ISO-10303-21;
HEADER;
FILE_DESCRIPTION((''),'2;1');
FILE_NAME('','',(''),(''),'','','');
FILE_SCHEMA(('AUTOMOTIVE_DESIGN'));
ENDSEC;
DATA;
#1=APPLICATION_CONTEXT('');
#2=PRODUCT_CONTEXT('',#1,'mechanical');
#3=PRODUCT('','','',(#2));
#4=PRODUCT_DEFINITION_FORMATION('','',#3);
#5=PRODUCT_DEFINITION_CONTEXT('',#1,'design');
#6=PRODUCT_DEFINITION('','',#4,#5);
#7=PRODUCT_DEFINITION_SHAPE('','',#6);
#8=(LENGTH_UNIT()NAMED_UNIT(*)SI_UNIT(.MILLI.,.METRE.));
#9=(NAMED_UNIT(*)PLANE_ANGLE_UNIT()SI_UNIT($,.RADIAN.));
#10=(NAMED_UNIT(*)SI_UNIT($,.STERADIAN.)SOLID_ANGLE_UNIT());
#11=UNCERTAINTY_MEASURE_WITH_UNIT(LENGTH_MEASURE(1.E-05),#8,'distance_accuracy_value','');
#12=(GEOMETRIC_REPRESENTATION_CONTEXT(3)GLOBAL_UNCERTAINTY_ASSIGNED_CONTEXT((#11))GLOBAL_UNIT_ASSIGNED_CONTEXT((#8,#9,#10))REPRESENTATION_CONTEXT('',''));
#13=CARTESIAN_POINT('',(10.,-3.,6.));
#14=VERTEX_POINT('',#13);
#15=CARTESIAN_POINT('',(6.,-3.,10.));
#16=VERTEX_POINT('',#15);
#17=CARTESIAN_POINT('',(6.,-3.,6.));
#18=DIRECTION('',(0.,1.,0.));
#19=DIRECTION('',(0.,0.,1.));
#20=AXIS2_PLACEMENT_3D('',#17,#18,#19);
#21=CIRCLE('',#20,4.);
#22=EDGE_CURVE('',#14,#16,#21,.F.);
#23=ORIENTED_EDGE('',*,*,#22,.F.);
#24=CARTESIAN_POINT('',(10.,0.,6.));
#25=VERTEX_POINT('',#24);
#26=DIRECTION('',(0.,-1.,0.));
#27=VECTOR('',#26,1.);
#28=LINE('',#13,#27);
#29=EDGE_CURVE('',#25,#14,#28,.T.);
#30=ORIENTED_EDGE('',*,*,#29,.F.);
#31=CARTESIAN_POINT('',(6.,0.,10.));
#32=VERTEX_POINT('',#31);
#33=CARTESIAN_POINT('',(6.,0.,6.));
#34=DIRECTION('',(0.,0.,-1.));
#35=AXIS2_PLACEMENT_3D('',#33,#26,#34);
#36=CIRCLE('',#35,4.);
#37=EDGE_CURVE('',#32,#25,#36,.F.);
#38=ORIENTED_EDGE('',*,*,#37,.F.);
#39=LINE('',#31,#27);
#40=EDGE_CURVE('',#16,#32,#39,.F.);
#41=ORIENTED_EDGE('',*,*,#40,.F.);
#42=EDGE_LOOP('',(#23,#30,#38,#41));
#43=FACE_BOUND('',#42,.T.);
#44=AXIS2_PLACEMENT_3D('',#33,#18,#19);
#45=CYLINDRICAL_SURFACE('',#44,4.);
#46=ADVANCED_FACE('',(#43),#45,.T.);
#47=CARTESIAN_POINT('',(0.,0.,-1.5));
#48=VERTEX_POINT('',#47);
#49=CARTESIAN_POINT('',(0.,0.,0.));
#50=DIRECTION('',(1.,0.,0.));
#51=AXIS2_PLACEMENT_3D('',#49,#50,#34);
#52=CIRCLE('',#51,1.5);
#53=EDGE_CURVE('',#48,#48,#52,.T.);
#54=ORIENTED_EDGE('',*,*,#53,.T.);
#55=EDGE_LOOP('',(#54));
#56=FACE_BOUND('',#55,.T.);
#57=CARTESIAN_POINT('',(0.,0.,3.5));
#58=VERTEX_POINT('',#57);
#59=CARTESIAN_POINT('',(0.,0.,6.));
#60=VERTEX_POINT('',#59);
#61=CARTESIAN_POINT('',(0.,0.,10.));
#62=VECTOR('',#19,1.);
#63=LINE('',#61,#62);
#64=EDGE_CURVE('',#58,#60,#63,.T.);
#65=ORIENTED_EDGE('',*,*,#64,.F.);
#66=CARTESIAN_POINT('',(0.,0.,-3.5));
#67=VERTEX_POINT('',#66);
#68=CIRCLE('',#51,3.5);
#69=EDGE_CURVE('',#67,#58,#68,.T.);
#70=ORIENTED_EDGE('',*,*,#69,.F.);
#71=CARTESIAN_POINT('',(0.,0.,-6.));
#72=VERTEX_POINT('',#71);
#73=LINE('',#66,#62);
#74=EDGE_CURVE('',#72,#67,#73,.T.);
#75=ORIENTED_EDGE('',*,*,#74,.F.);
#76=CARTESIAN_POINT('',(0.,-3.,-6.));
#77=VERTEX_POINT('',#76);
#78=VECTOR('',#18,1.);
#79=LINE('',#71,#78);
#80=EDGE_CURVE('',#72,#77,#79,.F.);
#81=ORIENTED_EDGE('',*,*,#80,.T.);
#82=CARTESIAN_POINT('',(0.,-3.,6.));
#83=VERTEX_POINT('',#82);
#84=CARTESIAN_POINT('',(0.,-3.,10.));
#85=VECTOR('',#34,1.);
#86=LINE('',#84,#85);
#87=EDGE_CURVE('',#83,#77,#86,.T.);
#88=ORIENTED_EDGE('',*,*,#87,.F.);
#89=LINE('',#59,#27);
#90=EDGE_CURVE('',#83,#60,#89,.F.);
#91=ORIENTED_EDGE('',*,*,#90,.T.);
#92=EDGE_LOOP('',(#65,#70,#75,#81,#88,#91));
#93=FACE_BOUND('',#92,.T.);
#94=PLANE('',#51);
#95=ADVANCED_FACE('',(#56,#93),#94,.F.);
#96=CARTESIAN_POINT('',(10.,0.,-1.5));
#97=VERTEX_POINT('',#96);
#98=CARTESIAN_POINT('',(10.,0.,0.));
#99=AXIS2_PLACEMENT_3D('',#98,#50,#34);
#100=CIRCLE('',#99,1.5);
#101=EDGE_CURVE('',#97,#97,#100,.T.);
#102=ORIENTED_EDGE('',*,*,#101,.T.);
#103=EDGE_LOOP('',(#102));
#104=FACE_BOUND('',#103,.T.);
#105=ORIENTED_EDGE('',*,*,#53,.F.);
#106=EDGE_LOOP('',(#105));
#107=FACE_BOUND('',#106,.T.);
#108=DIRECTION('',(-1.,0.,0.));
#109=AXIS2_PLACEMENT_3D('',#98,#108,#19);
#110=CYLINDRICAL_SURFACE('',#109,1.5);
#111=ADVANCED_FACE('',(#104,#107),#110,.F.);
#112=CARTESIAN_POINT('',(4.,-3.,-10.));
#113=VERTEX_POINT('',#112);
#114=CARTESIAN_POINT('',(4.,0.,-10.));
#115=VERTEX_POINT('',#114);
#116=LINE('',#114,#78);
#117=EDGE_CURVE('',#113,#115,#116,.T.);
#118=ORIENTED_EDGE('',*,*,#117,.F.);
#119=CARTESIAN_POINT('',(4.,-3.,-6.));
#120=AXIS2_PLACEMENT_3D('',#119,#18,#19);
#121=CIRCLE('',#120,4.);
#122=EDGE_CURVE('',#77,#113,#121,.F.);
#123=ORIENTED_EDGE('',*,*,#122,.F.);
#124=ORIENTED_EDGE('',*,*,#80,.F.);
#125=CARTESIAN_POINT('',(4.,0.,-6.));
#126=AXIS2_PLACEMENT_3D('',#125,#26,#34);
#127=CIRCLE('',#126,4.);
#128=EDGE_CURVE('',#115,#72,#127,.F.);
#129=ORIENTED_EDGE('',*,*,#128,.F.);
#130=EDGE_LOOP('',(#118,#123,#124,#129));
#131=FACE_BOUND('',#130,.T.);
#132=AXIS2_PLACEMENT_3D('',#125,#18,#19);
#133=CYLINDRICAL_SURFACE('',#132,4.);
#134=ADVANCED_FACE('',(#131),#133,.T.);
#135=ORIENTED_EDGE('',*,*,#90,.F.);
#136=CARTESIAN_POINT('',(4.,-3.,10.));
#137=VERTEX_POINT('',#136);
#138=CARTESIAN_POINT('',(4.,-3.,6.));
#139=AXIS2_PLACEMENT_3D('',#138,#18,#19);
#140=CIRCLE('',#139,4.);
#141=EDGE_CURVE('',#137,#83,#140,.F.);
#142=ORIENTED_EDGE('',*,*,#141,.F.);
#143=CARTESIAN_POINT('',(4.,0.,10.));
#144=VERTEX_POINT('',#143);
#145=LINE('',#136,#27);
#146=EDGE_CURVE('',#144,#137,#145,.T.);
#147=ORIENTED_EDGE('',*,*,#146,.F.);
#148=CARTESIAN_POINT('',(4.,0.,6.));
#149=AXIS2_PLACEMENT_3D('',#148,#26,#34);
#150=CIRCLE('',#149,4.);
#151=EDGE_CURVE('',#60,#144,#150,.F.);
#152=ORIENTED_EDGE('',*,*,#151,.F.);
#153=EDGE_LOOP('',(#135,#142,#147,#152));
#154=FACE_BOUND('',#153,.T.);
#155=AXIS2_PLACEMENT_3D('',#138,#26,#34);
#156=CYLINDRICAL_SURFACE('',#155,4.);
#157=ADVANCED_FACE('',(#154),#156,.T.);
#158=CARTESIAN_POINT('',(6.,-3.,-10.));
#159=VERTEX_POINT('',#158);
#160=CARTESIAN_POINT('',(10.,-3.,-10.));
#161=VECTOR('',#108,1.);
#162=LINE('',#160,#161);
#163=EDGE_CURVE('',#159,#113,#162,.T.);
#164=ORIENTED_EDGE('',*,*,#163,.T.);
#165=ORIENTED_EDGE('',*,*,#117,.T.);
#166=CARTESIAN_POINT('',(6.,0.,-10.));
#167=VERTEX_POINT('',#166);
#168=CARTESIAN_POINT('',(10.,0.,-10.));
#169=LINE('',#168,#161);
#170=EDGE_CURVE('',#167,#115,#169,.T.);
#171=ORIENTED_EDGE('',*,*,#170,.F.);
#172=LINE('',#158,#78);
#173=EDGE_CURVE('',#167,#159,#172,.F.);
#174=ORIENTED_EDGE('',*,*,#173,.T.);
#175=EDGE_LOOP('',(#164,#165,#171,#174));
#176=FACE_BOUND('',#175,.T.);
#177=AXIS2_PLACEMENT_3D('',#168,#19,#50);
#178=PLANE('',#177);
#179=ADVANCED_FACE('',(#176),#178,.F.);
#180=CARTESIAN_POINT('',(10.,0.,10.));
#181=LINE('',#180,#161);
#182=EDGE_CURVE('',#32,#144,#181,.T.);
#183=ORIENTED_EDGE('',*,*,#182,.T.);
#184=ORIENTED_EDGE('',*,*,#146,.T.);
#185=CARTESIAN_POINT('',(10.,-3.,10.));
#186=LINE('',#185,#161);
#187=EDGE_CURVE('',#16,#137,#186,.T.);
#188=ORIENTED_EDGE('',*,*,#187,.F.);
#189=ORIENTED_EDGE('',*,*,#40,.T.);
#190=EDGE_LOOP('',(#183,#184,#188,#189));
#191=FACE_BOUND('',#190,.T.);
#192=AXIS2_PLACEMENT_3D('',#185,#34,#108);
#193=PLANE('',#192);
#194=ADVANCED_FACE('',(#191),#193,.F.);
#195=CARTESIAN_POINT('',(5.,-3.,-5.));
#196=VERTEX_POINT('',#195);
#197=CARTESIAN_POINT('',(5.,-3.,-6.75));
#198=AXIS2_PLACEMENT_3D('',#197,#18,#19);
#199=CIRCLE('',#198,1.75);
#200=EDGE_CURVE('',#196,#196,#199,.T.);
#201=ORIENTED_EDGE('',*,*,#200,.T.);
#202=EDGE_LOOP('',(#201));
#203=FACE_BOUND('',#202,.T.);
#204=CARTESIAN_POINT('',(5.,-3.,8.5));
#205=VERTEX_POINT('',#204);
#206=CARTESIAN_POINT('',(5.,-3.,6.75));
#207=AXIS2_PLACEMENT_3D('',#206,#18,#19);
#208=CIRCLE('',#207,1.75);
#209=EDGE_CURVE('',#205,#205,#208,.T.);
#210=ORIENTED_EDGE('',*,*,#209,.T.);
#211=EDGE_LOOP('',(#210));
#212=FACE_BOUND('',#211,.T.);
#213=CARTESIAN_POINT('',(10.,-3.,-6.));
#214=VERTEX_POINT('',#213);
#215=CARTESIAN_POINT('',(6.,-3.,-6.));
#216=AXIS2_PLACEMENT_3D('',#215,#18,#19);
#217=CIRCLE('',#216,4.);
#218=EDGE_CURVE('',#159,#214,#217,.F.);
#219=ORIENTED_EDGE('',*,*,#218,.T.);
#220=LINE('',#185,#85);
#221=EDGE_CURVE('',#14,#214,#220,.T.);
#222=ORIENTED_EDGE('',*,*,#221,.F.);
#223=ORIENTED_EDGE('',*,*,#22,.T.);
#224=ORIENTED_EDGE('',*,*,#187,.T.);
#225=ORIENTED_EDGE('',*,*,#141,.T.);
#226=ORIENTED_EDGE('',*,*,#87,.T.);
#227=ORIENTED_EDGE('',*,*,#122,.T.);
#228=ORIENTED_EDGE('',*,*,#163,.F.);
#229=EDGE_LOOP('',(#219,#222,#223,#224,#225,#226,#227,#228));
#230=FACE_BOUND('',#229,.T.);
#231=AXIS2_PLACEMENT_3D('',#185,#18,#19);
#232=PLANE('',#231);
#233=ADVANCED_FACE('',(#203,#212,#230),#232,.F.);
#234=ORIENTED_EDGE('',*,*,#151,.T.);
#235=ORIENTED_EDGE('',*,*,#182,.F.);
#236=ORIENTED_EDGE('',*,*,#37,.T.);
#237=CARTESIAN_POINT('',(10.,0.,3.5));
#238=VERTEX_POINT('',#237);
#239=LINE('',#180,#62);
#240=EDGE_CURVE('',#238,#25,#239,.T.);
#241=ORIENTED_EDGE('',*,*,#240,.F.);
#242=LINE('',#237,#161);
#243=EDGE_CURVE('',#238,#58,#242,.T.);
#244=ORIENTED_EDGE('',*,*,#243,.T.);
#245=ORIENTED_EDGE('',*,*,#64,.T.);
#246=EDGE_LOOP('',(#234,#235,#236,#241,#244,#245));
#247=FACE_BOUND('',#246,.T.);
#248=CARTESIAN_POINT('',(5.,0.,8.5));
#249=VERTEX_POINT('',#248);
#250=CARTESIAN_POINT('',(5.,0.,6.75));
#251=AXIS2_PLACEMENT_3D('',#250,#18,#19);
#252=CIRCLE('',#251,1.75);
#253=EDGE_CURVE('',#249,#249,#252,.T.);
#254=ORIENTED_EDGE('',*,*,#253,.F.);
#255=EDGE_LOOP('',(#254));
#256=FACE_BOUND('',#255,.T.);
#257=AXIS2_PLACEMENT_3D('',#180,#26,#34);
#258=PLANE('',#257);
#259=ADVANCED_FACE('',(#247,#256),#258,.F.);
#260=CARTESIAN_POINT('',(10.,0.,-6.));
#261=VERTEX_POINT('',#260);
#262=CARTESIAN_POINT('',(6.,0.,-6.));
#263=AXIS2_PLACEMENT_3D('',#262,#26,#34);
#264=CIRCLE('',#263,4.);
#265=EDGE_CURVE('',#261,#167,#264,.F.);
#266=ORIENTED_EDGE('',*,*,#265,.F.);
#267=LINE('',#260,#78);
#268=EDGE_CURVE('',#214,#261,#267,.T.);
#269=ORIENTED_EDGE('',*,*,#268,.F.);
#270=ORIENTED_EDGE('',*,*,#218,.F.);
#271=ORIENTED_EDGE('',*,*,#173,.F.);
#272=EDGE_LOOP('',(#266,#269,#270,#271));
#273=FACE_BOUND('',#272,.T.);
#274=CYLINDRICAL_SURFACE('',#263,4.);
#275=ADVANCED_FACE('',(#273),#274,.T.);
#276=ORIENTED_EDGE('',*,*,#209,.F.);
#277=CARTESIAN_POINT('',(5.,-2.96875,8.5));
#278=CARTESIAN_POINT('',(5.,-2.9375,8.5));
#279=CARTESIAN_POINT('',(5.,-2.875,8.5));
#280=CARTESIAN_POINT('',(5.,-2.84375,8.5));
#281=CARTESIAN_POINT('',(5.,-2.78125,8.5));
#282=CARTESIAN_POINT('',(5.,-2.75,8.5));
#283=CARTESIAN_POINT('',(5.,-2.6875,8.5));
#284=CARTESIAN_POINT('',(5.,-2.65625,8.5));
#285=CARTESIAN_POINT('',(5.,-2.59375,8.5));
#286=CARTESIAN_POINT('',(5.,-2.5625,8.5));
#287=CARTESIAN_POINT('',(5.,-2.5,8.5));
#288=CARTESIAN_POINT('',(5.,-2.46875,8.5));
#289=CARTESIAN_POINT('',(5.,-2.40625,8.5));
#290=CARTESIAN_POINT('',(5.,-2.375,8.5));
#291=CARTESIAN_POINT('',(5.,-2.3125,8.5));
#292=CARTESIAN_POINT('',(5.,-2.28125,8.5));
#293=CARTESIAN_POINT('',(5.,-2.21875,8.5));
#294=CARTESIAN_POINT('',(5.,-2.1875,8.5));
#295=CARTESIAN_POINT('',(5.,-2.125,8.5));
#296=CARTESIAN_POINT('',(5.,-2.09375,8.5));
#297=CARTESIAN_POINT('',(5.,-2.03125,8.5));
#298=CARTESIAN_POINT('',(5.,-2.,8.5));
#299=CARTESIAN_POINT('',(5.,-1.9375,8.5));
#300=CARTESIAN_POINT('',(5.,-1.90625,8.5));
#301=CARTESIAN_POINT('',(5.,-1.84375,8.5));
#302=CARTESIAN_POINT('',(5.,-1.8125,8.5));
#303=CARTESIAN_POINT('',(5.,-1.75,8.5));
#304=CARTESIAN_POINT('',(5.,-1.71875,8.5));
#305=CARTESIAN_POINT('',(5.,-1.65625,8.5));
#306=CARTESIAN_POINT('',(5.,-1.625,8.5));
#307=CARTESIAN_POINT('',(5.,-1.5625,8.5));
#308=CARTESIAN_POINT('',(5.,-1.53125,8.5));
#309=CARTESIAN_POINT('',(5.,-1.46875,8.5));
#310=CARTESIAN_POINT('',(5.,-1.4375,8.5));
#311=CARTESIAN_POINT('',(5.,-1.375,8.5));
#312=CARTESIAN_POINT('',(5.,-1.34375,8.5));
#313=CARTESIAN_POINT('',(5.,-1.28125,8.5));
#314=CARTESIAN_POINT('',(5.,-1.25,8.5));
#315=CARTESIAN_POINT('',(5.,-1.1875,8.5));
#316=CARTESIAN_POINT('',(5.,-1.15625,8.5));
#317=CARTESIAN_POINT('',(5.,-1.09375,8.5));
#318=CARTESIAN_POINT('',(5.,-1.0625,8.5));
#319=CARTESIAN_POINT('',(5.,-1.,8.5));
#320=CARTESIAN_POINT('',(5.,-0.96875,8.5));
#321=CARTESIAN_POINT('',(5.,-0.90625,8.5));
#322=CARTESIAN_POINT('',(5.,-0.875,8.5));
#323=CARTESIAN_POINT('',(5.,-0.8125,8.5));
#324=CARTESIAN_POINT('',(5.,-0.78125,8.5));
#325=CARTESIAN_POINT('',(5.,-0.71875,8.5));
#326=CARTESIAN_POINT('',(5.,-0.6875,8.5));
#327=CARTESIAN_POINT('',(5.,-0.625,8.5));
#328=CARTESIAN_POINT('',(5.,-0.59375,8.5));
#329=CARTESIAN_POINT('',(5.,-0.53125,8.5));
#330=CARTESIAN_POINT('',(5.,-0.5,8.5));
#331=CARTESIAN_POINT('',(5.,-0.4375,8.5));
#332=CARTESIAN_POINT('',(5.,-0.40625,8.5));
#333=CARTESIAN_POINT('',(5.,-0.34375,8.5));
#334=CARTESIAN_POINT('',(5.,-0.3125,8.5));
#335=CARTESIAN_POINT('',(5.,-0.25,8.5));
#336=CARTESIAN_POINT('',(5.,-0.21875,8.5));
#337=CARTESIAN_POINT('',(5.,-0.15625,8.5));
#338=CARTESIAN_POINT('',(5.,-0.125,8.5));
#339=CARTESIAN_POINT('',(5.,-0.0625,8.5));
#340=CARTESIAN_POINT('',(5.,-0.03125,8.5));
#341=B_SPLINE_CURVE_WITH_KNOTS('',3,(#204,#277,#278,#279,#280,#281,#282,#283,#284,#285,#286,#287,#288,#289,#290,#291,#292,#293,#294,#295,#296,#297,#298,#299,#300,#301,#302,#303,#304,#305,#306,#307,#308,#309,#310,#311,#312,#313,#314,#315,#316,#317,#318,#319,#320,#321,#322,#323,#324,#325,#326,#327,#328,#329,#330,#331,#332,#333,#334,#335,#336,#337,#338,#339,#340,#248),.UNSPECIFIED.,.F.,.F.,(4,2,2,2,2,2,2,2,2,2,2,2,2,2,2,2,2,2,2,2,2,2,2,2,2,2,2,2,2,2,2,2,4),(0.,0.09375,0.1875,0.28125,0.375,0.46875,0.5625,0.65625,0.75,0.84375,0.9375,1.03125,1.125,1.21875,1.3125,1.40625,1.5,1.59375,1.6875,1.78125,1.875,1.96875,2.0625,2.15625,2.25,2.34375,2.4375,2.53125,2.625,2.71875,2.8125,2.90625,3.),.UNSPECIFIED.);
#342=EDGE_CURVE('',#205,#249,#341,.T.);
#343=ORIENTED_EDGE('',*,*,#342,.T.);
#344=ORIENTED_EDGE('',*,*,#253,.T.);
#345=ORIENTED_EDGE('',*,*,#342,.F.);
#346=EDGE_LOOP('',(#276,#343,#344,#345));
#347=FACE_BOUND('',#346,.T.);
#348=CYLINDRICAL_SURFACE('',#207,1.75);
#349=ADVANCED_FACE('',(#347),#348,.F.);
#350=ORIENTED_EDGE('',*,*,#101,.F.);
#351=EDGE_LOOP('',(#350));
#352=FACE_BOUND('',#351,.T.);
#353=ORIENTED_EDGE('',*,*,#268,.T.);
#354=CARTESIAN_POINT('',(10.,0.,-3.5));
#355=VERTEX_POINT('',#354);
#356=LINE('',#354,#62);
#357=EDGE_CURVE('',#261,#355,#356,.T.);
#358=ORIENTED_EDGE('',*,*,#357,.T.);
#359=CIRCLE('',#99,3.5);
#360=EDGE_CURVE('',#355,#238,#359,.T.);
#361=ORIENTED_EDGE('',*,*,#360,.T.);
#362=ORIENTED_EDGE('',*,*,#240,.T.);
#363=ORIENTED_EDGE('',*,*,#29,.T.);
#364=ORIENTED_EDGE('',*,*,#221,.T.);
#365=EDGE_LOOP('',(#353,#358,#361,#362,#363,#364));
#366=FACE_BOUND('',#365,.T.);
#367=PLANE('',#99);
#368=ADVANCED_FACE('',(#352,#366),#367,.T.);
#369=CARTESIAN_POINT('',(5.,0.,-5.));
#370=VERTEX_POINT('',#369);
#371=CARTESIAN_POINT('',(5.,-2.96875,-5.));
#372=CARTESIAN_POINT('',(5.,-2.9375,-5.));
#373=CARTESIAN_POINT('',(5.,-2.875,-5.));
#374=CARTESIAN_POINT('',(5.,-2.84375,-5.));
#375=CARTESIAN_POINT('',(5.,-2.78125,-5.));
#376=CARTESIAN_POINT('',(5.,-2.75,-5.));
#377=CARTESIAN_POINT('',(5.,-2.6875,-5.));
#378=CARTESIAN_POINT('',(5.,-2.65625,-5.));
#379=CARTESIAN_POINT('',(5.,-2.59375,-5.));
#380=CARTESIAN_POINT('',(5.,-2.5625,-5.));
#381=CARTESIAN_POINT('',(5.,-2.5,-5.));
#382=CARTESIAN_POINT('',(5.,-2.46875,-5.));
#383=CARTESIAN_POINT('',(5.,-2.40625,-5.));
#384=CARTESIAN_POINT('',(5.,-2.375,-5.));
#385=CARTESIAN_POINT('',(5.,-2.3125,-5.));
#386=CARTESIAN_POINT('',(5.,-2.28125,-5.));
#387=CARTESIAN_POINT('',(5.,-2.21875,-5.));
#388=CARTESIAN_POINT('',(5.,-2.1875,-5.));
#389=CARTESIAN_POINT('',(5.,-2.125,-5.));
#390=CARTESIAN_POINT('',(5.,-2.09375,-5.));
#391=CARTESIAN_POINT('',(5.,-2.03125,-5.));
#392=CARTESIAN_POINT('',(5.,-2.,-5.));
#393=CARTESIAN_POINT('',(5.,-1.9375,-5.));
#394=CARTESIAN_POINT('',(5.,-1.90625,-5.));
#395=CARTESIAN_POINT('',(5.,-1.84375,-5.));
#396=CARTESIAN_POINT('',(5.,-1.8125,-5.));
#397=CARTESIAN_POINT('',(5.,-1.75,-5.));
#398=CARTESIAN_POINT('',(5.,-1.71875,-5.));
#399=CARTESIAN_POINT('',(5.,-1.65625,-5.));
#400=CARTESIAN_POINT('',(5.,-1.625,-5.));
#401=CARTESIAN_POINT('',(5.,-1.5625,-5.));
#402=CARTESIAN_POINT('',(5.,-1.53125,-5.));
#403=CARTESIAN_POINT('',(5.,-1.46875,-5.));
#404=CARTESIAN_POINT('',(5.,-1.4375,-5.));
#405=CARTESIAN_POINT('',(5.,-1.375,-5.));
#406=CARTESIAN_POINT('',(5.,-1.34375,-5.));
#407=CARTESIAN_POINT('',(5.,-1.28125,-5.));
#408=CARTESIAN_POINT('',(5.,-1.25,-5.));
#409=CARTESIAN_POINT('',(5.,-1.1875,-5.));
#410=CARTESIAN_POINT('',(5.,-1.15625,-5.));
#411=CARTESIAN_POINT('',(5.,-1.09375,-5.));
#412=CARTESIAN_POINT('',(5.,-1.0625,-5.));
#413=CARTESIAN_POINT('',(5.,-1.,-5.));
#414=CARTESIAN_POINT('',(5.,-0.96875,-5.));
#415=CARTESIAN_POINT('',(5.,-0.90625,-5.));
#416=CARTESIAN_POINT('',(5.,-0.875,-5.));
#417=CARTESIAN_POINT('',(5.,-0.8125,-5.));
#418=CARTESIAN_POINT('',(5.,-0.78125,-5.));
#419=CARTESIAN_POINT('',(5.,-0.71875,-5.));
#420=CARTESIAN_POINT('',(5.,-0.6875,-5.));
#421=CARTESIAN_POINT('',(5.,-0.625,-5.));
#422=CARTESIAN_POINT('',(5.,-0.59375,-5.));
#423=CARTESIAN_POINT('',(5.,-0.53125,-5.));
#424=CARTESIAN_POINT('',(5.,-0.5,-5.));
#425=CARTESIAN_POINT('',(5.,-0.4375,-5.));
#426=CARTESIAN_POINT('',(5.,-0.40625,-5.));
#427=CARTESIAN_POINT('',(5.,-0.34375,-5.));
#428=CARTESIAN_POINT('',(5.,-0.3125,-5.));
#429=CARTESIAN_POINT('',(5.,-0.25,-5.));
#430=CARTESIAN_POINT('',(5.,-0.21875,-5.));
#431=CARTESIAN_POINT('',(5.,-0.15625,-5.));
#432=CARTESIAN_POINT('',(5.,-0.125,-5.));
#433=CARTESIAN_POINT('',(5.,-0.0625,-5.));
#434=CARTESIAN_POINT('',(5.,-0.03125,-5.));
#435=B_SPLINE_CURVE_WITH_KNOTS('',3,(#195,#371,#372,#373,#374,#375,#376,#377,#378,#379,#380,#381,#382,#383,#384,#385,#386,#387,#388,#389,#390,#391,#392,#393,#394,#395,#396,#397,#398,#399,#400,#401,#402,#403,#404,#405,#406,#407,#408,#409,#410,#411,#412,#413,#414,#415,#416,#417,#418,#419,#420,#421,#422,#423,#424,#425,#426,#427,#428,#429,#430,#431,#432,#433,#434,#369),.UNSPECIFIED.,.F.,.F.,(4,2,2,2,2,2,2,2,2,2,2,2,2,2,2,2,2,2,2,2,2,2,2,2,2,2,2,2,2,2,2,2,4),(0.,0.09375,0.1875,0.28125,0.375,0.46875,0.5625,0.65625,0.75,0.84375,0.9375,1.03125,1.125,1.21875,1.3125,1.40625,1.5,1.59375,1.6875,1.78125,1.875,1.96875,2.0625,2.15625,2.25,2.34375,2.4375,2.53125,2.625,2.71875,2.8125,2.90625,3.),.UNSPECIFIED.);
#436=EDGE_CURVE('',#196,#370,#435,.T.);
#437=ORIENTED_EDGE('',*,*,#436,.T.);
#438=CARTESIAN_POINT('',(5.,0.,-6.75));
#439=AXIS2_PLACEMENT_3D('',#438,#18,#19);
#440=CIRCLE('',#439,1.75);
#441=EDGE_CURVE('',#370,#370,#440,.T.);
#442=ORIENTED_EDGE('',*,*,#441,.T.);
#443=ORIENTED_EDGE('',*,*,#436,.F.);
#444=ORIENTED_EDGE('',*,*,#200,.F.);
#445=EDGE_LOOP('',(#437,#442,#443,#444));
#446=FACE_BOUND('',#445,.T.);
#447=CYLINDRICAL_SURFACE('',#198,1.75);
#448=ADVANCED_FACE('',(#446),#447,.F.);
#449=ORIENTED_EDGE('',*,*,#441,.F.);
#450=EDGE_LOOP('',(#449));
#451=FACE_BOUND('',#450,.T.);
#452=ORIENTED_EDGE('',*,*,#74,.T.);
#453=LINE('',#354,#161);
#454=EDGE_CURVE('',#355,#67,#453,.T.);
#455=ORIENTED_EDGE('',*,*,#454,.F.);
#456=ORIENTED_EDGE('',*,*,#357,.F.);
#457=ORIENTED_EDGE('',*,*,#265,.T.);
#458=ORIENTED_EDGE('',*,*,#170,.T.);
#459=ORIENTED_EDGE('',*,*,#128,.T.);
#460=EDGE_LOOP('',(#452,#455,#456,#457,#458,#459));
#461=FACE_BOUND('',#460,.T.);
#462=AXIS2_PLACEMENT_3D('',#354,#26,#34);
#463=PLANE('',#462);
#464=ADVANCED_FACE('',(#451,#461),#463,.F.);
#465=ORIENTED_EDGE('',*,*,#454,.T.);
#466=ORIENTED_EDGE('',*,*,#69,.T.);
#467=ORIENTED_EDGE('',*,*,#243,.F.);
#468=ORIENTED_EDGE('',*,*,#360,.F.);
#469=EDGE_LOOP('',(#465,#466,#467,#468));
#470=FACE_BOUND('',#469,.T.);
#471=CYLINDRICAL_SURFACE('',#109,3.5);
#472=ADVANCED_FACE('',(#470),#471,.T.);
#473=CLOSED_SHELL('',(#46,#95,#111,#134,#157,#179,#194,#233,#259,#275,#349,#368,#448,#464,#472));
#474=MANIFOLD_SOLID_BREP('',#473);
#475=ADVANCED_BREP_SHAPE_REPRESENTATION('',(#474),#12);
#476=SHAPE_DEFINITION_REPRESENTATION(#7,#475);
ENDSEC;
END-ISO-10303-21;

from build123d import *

# Parameters (mm, degrees)
SKETCH_1_R          = 1.5
EXTRUDE_1_DEPTH     = 10
SKETCH_2_R          = 1.75
CUT_EXTRUDE_1_DEPTH = 15.568802284
FILLET_2_R          = 4


with BuildPart() as part:
    # Эскиз1 → Бобышка-Вытянуть1 (new body)
    with BuildSketch(Plane(origin=(0, 0, 0), x_dir=(0, 0, -1), z_dir=(1, 0, 0))):
        with BuildLine():
            Line((-10, -3), (10, -3))
            Line((10, -3), (10, 0))
            Line((10, 0), (3.5, 0))
            ThreePointArc((3.5, 0), (0, 3.5), (-3.5, 0))
            Line((-3.5, 0), (-10, 0))
            Line((-10, 0), (-10, -3))
        make_face()
        Circle(SKETCH_1_R, mode=Mode.SUBTRACT)
    extrude(amount=EXTRUDE_1_DEPTH)

    # Эскиз2 → Вырез-Вытянуть1 (cut, through all)
    with BuildSketch(Plane(origin=(0, 0, 0), x_dir=(1, 0, 0), z_dir=(0, 1, 0))):
        with Locations(Location((5, 6.75, 0), (0, 0, 270))):
            Circle(SKETCH_2_R)
        with Locations(Location((5, -6.75, 0), (0, 0, 270))):
            Circle(SKETCH_2_R)
    extrude(amount=-CUT_EXTRUDE_1_DEPTH, mode=Mode.SUBTRACT)

    # Скругление2
    fillet_2_edges = [part.edges().sort_by_distance(p)[0] for p in [
        (10, -1.5, -10),
        (10, -1.5, 10),
        (0, -1.5, -10),
        (0, -1.5, 10),
    ]]
    fillet(fillet_2_edges, radius=FILLET_2_R)


solid = part.part
